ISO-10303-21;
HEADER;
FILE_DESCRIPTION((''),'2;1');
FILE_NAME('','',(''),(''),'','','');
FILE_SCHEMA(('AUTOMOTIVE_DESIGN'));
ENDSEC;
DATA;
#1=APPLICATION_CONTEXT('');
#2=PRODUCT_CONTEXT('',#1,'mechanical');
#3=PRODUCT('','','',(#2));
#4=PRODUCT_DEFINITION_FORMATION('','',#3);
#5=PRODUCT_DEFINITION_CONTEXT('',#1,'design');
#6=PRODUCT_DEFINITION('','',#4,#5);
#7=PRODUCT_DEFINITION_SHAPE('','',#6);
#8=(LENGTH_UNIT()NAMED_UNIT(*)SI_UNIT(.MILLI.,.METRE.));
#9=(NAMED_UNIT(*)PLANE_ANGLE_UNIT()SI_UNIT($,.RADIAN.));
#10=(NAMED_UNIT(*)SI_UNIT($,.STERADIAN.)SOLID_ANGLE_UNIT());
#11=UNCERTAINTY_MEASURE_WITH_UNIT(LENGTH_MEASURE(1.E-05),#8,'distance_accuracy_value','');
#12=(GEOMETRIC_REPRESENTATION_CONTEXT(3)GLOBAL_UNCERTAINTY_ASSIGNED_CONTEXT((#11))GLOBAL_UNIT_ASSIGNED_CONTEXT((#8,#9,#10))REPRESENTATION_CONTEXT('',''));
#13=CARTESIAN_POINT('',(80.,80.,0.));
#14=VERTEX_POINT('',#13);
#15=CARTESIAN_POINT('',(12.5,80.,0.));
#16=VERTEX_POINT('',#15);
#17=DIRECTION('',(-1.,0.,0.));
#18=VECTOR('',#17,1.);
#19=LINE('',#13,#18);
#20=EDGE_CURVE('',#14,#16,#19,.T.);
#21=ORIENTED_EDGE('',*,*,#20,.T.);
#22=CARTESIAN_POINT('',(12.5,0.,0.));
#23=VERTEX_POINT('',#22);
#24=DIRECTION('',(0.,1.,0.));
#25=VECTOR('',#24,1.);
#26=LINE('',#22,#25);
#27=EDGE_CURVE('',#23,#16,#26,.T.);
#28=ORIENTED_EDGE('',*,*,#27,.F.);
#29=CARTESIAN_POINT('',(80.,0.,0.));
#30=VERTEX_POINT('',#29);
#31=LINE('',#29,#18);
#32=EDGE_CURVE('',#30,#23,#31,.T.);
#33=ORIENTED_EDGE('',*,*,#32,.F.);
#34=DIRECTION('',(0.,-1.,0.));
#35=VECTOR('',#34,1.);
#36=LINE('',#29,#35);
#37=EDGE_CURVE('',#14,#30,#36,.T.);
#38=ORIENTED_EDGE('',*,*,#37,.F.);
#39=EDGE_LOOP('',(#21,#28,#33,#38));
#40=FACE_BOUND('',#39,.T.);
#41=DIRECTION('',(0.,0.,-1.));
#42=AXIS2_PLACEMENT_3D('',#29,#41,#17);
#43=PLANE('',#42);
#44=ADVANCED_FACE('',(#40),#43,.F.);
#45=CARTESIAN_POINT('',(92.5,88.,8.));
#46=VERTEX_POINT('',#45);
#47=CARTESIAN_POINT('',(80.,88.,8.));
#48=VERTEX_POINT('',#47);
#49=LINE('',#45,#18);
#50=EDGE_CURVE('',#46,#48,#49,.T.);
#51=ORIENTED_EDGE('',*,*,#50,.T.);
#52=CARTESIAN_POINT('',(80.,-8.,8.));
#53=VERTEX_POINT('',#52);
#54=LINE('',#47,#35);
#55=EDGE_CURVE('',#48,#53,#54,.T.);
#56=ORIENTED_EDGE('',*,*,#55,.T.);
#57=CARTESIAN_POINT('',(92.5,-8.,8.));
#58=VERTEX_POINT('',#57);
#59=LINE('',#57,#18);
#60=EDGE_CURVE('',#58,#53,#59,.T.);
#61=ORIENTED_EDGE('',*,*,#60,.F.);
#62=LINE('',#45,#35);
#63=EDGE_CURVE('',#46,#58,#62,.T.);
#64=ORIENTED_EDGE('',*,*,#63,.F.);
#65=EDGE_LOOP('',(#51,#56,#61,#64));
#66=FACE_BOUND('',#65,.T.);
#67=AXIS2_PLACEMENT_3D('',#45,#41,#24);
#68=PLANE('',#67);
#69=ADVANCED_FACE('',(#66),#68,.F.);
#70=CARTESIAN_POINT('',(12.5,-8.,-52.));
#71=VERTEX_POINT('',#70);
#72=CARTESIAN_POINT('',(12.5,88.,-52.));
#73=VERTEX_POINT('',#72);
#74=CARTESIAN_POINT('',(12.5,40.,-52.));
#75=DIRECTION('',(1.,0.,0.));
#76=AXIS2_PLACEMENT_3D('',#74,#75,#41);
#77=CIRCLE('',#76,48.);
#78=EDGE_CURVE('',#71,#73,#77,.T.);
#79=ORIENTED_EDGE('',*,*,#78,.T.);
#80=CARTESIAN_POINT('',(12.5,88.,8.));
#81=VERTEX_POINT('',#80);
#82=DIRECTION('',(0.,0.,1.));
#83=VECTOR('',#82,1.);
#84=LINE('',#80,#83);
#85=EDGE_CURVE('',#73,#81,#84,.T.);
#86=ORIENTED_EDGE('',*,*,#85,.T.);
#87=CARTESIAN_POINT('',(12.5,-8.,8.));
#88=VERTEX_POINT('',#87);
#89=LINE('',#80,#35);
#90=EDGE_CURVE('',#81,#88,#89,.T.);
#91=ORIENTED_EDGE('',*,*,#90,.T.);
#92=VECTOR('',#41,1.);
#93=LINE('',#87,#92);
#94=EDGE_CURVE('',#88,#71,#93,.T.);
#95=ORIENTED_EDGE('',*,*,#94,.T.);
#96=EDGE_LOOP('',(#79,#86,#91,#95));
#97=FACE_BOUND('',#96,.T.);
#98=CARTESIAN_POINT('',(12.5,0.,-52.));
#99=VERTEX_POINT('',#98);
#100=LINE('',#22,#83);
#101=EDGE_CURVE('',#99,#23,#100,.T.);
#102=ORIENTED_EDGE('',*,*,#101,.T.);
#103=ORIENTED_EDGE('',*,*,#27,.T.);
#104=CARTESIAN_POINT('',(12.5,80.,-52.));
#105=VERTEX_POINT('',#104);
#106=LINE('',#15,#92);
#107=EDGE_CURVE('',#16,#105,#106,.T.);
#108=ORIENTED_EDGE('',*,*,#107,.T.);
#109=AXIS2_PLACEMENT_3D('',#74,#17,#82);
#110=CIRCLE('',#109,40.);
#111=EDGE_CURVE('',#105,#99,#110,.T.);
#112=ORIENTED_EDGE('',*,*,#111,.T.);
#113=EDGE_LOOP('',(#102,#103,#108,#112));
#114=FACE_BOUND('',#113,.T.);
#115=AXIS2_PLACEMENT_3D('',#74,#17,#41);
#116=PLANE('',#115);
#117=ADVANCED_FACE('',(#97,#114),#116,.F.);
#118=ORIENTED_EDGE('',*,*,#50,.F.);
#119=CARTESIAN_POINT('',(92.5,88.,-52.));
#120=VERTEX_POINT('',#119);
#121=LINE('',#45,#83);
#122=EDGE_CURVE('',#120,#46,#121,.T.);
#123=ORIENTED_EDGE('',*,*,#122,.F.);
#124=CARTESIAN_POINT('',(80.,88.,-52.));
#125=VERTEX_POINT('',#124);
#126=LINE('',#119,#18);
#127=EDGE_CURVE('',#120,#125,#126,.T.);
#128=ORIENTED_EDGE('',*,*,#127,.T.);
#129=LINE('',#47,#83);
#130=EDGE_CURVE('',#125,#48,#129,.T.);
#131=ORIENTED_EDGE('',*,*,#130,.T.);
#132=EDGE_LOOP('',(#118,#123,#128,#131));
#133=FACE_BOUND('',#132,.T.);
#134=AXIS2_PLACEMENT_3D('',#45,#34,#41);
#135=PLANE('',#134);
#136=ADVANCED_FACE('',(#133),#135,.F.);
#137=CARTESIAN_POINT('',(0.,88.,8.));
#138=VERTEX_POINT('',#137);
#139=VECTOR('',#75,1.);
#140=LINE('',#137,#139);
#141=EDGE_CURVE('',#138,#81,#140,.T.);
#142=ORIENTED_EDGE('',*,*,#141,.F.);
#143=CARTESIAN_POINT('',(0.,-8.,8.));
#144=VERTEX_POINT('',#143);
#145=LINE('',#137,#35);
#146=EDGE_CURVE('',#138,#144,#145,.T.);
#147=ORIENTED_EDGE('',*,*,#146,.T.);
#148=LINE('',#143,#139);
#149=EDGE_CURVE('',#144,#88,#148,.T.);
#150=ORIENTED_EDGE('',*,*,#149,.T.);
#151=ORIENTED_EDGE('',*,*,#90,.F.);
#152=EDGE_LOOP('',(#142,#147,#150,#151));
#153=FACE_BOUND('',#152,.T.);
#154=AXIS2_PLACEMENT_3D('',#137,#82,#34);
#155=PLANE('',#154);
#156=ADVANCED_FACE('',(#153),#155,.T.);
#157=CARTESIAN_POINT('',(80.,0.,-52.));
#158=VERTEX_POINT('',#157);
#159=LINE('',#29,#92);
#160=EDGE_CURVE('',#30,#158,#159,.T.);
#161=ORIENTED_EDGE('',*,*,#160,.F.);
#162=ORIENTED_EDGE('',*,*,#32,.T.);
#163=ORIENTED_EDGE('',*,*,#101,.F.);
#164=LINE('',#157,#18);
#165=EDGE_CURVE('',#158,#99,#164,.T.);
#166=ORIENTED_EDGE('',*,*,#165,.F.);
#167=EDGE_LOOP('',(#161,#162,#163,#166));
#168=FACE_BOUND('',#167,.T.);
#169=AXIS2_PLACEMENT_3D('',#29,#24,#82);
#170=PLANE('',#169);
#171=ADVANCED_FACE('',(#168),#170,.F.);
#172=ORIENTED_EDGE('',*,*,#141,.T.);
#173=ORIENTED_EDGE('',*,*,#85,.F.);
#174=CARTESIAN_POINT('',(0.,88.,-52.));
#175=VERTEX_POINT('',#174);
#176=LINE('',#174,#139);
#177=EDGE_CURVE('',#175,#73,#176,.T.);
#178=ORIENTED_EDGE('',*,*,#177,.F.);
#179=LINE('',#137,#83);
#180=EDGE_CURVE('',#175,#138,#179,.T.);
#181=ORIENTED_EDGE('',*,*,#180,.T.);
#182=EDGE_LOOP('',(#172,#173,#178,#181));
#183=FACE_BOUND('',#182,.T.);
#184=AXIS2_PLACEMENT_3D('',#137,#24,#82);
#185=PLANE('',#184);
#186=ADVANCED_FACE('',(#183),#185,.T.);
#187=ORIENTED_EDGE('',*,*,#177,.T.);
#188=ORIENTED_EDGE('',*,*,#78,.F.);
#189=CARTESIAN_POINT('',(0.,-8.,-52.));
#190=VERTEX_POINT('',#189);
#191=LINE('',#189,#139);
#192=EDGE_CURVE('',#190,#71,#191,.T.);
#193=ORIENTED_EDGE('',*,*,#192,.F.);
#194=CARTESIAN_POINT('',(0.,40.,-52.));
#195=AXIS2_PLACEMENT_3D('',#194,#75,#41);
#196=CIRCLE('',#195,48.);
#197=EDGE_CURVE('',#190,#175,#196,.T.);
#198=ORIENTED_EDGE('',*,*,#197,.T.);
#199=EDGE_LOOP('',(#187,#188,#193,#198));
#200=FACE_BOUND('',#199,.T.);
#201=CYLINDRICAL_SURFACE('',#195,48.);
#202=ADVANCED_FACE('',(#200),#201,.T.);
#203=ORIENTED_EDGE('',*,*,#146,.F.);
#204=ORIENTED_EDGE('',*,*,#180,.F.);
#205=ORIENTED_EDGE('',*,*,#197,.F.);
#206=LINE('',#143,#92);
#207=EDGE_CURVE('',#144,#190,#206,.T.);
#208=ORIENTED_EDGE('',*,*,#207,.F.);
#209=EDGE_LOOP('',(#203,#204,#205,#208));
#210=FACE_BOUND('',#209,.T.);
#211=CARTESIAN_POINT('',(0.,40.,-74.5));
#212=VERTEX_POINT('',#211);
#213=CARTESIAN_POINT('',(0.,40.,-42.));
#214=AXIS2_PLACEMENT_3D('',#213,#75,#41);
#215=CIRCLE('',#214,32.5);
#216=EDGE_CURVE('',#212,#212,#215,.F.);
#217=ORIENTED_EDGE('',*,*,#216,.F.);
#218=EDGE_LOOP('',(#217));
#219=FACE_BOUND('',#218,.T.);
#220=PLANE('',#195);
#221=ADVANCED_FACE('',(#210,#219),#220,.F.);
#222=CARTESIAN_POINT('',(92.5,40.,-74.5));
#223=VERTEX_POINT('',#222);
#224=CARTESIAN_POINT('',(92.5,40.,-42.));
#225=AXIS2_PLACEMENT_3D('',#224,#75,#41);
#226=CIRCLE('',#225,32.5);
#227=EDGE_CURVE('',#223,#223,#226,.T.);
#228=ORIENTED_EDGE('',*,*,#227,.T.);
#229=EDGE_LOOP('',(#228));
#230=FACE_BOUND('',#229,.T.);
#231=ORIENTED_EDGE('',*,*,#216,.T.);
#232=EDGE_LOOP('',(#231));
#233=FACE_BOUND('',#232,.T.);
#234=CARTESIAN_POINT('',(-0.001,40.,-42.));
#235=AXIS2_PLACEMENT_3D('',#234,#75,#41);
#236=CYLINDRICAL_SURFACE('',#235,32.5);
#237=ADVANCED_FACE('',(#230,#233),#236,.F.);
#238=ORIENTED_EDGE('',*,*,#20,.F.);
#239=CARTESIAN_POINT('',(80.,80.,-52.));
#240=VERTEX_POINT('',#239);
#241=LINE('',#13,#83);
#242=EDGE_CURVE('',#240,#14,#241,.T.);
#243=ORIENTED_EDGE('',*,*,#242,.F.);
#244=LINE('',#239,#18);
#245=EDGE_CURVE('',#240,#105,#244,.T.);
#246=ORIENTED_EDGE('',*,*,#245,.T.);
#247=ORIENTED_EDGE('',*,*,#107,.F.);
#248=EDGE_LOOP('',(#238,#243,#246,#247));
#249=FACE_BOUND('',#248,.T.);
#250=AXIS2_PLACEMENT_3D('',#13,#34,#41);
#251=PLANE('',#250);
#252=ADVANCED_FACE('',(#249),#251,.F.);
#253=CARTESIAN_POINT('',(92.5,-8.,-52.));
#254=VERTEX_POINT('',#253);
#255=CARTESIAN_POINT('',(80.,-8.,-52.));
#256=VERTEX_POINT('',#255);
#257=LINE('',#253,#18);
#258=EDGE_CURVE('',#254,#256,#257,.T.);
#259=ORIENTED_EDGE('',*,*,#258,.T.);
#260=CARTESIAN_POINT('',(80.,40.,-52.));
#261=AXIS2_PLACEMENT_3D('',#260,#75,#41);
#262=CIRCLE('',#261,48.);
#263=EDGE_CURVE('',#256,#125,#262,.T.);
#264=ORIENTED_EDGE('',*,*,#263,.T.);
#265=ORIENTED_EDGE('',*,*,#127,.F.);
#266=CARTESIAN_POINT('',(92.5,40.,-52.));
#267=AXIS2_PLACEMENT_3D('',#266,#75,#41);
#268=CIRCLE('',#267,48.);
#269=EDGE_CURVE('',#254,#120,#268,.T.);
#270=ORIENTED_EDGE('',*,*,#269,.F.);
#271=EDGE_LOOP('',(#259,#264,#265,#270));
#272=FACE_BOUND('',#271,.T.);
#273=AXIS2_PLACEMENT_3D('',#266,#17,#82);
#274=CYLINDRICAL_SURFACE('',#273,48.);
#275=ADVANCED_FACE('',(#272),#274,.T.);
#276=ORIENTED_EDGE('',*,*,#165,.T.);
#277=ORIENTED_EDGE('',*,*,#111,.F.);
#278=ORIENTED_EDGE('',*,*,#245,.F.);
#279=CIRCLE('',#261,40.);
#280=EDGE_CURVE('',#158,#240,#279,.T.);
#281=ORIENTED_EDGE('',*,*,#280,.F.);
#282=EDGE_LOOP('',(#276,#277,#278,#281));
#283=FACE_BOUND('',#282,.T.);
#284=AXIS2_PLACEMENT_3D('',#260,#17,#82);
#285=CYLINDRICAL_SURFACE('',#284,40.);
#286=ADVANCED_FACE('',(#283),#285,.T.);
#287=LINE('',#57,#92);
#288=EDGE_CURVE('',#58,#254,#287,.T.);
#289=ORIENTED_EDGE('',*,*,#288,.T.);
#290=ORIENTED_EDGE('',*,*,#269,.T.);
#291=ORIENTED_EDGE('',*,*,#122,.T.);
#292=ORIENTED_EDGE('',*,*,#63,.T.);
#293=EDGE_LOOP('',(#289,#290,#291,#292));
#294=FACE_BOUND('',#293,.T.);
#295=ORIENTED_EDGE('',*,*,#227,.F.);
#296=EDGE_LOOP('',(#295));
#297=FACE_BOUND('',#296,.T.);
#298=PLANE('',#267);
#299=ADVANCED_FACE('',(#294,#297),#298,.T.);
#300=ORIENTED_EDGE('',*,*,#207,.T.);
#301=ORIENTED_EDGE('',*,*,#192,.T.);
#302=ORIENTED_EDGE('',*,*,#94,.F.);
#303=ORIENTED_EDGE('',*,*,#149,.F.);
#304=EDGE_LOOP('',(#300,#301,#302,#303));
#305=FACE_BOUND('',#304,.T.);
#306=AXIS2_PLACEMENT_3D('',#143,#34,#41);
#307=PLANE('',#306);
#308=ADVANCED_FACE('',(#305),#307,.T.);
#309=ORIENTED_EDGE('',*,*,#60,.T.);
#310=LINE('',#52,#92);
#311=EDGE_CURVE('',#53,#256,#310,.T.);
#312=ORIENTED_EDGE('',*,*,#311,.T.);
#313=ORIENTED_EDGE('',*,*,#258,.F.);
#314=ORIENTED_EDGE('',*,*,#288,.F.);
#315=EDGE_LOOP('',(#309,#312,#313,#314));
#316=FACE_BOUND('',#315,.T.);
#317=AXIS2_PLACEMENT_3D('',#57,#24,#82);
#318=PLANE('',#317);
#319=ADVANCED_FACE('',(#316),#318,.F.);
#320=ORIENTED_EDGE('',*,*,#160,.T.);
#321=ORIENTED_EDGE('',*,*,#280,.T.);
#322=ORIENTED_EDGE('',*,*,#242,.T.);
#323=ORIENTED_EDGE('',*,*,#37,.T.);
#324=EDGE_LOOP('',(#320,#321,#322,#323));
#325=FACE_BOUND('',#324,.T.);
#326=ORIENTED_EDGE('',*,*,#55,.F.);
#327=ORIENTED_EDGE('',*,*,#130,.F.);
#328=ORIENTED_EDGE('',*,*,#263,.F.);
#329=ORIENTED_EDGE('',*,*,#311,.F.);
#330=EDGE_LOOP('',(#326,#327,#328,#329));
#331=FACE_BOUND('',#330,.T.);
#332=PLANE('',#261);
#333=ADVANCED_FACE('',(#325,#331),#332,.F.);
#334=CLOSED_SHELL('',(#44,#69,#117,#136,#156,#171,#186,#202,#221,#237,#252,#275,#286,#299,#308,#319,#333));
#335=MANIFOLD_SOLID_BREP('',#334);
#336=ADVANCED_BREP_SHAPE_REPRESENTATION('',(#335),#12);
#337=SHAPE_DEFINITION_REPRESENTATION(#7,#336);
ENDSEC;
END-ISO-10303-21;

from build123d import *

# Parameters (mm, degrees)
BOSS_EXTRUDE1_DEPTH = 80
BOSS_EXTRUDE2_DEPTH = 12.5
CUT_EXTRUDE1_REACH  = 94.5
SKETCH3_R           = 32.5


with BuildPart() as part:
    # Sketch1 → Boss-Extrude1 (new body)
    with BuildSketch(Plane(origin=(0, 0, 0), x_dir=(0, 0, -1), z_dir=(1, 0, 0))):
        with BuildLine():
            Line((0, 0), (52, 0))
            ThreePointArc((52, 0), (92, 40), (52, 80))
            Line((52, 80), (0, 80))
            Line((0, 80), (0, 0))
        make_face()
    extrude(amount=BOSS_EXTRUDE1_DEPTH)

    # Sketch2 → Boss-Extrude2 (add)
    with BuildSketch(Plane(origin=(80, 0, 0), x_dir=(0, 0, -1), z_dir=(1, 0, 0))):
        with BuildLine():
            Line((-8, 88), (-8, -8))
            Line((-8, -8), (52, -8))
            ThreePointArc((52, -8), (100, 40), (52, 88))
            Line((52, 88), (-8, 88))
        make_face()
    boss_extrude2 = extrude(amount=BOSS_EXTRUDE2_DEPTH)

    # Mirror1: Boss-Extrude2 across plane
    add(boss_extrude2.mirror(Plane(origin=(46.25, 0, 0), x_dir=(0, 0, 1), z_dir=(1, 0, 0))))

    # Sketch3 → Cut-Extrude1 (cut, up to next)
    with BuildSketch(Plane(origin=(92.5, 0, 0), x_dir=(0, 0, -1), z_dir=(1, 0, 0)), mode=Mode.PRIVATE) as cut_extrude1_sk1:
        with Locations((42, 40)):
            Circle(SKETCH3_R)
    cut_extrude1_tool1 = extrude(cut_extrude1_sk1.sketch, amount=-CUT_EXTRUDE1_REACH, mode=Mode.PRIVATE) & part.part
    add(cut_extrude1_tool1.solids().sort_by_distance((92.5, 40, -42))[0], mode=Mode.SUBTRACT)


solid = part.part
